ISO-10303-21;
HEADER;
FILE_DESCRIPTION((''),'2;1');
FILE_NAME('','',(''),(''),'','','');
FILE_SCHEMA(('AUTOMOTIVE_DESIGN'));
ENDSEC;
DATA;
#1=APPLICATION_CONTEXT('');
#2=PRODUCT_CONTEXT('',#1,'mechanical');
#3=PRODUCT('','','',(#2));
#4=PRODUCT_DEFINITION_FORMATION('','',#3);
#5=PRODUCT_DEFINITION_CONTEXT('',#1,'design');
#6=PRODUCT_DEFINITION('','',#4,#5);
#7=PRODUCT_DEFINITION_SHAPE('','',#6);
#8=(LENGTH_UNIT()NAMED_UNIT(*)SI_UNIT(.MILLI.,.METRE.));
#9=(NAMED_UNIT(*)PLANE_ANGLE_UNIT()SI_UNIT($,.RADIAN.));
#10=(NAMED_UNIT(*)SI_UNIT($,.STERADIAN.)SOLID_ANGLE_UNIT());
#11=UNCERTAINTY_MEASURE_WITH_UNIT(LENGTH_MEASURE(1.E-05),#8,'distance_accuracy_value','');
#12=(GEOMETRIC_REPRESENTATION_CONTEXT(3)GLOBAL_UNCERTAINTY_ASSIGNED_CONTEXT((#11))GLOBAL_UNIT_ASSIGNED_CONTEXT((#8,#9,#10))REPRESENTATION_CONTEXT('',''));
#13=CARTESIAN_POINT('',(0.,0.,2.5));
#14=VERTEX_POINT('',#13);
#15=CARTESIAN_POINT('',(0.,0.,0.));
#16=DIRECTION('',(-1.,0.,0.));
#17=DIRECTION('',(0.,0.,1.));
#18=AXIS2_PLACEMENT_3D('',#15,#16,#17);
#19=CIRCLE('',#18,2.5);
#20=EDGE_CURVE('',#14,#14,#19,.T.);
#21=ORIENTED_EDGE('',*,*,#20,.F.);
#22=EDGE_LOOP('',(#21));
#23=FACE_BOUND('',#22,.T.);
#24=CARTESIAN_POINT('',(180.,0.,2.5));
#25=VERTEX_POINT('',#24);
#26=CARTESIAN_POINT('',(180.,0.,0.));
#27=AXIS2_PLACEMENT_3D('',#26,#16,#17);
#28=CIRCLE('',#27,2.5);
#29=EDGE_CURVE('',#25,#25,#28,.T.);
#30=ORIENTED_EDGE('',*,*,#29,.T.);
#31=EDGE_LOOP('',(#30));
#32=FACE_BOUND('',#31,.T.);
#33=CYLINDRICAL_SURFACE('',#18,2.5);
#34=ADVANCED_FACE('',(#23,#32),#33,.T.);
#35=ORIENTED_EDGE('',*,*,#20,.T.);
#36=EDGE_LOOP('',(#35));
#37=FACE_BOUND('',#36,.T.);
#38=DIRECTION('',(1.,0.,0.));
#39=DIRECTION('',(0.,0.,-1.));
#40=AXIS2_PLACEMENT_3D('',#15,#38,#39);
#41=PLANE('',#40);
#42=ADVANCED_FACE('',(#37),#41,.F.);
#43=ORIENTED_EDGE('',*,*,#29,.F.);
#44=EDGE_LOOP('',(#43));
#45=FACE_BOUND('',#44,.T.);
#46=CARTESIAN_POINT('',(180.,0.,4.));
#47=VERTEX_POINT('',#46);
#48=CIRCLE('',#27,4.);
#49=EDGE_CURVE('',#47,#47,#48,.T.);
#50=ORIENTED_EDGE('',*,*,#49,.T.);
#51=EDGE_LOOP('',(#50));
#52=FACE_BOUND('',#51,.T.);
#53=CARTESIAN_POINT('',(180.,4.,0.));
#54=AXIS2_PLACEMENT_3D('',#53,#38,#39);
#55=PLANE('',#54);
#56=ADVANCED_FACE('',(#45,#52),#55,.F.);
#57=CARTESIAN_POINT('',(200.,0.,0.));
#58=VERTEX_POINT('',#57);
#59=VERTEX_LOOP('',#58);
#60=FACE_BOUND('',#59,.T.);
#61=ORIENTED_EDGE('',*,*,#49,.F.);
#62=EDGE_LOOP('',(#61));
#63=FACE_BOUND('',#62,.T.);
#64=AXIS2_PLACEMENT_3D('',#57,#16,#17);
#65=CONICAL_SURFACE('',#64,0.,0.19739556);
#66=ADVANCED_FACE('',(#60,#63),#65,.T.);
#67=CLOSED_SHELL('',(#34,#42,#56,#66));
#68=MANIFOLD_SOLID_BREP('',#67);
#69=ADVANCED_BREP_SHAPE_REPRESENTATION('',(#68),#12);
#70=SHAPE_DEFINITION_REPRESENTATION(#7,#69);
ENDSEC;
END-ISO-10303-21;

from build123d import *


with BuildPart() as part:
    # Sketch1 → Revolve1 (revolve)
    with BuildSketch(Plane.XY, mode=Mode.PRIVATE) as revolve1_sk:
        Polygon((0, 0), (200, 0), (180, 4), (180, 2.5), (0, 2.5), align=None)
    revolve(revolve1_sk.sketch.rotate(Axis((0, 0, 0), (1, 0, 0)), 90), axis=Axis((0, 0, 0), (1, 0, 0)))


solid = part.part
